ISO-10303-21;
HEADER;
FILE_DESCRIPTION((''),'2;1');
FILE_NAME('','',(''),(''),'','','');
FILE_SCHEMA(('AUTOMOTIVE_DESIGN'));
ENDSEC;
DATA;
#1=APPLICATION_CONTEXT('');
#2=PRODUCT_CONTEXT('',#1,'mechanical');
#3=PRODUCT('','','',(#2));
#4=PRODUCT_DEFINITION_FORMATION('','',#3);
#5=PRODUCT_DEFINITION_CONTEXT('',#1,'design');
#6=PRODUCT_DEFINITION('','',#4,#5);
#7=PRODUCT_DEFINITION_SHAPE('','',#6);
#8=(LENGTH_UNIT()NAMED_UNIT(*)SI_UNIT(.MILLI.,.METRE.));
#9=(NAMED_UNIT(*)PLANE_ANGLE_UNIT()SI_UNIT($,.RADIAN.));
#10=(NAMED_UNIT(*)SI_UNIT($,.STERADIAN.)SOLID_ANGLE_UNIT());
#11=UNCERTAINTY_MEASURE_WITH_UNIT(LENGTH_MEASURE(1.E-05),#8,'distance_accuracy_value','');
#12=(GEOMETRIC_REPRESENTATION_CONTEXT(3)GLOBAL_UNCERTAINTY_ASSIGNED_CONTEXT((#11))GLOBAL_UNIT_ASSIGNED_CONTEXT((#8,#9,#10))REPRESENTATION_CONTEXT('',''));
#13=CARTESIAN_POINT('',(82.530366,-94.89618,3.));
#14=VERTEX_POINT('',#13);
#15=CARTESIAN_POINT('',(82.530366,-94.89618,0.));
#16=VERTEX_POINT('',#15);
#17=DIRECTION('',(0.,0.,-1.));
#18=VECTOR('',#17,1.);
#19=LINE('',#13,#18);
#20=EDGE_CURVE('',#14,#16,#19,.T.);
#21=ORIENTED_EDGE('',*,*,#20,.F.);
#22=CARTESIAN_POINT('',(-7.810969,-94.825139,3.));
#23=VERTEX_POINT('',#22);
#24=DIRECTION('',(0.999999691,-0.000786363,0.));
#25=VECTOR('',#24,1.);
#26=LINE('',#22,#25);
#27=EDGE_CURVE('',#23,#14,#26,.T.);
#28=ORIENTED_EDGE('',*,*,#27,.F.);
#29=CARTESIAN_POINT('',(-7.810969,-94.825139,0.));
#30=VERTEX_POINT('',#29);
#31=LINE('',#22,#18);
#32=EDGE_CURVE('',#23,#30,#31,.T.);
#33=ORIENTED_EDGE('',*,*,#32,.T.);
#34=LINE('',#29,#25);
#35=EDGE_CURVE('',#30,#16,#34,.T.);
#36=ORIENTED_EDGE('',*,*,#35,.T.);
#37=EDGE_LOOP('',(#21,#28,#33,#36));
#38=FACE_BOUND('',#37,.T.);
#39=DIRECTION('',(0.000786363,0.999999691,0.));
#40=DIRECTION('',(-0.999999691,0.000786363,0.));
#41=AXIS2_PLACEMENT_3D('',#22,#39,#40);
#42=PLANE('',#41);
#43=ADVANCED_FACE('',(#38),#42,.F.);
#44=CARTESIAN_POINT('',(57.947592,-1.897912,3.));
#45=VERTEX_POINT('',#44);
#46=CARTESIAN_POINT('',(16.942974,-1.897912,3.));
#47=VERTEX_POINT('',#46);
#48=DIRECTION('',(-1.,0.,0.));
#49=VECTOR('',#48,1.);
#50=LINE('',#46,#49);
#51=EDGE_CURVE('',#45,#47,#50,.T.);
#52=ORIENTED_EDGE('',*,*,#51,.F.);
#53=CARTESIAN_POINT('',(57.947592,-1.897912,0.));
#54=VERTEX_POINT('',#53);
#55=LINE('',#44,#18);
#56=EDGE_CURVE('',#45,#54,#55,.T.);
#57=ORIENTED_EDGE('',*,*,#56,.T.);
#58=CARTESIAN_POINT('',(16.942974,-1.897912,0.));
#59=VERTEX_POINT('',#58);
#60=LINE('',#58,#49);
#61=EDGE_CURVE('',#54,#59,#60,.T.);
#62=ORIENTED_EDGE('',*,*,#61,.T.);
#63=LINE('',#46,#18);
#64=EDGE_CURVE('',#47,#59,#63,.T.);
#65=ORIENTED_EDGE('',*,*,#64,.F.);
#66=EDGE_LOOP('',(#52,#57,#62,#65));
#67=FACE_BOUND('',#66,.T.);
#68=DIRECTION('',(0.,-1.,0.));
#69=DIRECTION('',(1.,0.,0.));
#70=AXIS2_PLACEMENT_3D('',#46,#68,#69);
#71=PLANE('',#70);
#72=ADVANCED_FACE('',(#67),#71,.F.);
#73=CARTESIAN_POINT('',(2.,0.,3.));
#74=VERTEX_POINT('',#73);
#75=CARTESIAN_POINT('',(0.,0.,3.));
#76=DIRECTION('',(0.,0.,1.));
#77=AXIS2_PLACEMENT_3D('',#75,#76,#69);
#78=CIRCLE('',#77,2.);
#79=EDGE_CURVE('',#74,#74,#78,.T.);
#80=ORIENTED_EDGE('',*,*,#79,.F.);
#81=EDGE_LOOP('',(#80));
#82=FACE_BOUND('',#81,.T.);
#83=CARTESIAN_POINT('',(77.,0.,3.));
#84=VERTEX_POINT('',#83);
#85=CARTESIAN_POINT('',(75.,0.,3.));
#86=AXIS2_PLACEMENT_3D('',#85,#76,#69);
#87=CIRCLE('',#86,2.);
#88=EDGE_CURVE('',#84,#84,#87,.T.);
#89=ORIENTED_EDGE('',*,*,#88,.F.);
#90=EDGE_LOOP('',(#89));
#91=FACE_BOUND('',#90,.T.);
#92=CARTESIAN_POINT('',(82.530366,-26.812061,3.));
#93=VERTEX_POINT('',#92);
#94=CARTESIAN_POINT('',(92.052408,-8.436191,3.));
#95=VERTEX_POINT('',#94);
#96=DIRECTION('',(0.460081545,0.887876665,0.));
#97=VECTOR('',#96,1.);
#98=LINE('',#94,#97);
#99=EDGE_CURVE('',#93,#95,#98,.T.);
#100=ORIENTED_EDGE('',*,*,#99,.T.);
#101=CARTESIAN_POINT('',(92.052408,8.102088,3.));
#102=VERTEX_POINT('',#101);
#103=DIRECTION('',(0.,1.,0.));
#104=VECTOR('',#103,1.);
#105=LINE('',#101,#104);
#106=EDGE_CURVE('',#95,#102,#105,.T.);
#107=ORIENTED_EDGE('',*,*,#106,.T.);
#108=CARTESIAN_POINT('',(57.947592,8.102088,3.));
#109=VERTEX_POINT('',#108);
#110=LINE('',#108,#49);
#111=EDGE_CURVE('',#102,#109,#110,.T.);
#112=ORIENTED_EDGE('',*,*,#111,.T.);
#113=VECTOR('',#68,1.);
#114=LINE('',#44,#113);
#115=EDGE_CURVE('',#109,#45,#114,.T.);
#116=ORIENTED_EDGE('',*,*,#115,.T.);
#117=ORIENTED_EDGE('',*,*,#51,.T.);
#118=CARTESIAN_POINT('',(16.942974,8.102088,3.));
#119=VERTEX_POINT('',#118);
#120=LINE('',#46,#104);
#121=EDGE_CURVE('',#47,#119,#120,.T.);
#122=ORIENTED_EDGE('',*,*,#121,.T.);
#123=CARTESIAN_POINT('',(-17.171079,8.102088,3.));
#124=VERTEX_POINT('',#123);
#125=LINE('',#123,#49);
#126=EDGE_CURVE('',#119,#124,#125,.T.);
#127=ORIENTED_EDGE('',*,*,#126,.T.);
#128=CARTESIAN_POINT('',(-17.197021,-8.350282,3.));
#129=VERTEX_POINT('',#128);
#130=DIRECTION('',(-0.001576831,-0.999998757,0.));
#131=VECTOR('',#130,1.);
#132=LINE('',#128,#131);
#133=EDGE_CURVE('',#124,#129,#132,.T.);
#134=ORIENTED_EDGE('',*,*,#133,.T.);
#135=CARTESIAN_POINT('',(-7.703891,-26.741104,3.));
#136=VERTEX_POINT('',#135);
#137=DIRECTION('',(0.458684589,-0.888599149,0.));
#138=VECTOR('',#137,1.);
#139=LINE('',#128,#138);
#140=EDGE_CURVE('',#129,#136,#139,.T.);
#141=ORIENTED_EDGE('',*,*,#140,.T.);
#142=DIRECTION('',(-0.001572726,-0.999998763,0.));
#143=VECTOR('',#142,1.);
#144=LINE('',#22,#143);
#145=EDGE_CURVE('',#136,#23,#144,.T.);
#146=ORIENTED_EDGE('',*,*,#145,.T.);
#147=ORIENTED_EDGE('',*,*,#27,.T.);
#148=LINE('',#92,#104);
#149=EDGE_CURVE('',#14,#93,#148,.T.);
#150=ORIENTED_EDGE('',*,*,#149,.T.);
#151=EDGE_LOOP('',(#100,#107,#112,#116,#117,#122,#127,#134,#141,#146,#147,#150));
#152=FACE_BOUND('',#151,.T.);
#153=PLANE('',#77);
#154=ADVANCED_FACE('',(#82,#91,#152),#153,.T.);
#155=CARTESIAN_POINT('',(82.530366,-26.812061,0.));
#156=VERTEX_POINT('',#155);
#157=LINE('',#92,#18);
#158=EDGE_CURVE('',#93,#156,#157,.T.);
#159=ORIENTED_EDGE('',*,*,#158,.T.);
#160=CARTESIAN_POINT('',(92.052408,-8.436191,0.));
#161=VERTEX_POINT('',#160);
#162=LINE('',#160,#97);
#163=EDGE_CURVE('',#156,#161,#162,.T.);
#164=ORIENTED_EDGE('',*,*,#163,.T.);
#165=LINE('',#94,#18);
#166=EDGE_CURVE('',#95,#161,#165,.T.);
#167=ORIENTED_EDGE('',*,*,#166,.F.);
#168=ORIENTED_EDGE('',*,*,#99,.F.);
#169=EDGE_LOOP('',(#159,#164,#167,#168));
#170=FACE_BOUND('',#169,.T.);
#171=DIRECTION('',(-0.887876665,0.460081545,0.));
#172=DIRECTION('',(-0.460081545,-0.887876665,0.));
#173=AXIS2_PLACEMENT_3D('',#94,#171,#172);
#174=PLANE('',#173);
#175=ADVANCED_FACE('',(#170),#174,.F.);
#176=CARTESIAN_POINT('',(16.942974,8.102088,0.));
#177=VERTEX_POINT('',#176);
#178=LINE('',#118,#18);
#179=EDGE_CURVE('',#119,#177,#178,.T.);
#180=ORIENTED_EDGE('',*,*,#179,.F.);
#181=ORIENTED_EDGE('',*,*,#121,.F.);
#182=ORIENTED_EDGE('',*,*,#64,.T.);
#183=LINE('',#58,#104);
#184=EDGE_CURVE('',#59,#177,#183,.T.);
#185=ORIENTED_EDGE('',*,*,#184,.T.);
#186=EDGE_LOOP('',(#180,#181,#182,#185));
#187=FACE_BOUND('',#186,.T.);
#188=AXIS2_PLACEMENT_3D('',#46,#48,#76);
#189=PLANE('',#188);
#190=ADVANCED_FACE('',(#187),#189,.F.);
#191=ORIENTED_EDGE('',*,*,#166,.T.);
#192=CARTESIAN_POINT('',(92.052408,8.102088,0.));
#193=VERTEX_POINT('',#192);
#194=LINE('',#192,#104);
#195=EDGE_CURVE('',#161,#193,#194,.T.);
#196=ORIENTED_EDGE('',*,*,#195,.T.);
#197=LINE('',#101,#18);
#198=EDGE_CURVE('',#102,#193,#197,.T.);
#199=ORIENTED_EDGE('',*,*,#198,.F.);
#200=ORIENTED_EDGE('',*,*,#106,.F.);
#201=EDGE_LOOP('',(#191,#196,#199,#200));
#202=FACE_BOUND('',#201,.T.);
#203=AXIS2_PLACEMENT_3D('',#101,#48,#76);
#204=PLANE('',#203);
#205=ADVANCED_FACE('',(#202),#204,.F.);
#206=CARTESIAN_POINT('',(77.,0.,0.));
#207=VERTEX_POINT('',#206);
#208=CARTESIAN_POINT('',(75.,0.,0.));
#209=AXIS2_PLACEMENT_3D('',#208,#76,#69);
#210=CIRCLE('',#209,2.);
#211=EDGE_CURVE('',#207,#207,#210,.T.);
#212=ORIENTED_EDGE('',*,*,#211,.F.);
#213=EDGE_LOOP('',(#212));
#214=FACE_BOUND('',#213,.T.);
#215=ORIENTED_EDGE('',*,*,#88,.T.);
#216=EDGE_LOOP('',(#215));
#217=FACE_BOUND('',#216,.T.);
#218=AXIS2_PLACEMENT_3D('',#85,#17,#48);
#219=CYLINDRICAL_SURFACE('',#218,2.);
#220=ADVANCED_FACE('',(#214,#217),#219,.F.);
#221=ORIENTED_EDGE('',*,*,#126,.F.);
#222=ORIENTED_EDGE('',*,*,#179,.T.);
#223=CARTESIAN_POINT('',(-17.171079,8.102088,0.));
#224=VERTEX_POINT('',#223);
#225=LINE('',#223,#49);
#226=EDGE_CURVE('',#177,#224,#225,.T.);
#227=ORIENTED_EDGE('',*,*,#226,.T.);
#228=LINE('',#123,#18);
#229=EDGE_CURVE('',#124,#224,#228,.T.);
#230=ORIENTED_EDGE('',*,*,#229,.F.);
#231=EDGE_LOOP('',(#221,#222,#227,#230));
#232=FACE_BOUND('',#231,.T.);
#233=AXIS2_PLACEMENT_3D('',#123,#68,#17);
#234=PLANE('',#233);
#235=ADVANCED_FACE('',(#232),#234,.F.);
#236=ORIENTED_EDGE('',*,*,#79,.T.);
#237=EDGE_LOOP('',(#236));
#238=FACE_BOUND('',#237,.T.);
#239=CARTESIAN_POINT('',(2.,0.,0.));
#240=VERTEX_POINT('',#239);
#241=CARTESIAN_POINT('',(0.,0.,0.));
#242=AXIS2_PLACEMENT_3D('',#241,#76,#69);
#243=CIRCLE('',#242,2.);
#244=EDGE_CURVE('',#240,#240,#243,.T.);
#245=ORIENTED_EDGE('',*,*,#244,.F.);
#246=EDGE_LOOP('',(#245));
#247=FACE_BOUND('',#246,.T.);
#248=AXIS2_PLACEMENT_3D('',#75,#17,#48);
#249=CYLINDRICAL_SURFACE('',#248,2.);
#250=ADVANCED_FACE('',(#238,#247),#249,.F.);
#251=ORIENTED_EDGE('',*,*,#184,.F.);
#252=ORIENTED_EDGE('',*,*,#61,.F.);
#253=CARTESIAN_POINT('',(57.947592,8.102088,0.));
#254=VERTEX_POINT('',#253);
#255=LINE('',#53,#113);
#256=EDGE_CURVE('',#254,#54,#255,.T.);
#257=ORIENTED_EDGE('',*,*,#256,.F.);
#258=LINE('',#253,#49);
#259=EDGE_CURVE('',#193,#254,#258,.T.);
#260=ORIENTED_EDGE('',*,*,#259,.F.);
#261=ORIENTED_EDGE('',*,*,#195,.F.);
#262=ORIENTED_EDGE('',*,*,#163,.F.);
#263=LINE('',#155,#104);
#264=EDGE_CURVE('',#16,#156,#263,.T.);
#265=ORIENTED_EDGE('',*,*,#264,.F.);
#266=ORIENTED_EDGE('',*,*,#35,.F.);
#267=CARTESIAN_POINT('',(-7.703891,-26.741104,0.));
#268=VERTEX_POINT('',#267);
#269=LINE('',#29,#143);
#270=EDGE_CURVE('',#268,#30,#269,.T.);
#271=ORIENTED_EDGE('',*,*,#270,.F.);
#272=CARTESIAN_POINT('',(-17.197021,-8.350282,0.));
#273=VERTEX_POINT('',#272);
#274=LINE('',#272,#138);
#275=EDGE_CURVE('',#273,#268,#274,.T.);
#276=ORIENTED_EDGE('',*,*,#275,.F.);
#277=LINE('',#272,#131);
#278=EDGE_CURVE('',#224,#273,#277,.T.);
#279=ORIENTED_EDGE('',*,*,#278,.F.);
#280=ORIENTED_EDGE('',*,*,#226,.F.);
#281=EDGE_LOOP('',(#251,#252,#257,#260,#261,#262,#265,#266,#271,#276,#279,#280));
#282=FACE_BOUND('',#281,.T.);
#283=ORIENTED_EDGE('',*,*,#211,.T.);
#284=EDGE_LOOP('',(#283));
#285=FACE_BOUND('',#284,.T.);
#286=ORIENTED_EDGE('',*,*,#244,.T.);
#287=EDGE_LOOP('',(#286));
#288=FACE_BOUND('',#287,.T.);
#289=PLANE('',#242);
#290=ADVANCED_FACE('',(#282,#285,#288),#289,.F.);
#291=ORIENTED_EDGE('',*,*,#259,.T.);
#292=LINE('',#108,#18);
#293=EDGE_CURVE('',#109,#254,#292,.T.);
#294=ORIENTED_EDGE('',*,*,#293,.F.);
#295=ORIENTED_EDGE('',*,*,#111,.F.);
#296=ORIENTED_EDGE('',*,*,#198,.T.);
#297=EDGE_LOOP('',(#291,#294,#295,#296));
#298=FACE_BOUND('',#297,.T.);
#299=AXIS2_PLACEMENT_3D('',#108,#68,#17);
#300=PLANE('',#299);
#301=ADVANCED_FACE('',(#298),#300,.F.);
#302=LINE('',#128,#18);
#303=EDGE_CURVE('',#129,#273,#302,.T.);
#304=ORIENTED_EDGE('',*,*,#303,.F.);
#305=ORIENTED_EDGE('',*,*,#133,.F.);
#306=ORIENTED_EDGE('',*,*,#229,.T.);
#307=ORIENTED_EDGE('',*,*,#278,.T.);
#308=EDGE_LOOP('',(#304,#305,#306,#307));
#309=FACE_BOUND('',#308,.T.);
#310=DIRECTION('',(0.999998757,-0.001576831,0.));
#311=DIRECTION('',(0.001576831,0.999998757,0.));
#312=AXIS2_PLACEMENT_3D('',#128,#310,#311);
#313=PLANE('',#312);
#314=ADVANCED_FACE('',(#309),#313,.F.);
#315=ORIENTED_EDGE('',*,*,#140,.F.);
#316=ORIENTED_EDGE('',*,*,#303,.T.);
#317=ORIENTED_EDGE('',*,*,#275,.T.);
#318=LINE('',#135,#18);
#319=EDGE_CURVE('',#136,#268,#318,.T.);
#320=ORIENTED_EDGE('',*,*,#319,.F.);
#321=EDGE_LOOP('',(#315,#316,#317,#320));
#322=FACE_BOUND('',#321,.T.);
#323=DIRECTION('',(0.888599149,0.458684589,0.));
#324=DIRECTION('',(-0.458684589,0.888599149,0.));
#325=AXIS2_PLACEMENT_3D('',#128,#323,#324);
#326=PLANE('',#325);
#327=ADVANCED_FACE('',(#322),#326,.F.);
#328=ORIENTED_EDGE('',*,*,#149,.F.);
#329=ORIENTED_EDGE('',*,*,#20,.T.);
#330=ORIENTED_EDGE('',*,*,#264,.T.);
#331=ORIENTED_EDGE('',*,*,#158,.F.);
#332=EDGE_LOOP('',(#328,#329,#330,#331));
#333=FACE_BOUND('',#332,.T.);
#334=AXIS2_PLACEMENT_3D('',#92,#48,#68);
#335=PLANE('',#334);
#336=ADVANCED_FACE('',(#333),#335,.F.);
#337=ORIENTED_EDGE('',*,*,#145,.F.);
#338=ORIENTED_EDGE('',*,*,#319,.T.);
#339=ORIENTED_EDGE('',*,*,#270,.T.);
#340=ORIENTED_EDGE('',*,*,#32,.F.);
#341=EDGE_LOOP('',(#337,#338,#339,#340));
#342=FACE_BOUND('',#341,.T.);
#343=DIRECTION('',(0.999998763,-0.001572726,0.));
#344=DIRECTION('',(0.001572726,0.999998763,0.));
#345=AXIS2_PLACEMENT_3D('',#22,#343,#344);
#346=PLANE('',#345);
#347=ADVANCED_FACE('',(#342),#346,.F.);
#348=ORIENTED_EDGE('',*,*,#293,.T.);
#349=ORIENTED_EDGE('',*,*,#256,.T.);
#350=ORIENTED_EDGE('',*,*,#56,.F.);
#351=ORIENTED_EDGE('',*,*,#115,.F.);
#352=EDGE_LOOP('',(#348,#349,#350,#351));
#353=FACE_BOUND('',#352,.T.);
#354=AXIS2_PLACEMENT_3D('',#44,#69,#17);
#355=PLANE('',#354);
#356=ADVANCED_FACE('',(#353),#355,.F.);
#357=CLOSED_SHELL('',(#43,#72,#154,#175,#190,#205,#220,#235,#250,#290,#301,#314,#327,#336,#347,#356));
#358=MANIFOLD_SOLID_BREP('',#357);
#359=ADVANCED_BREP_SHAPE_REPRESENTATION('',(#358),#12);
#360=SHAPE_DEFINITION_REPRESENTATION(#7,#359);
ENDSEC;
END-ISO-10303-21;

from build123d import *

# Parameters (mm, degrees)
SKETCH1_R           = 2
BOSS_EXTRUDE1_DEPTH = 3


with BuildPart() as part:
    # Sketch1 → Boss-Extrude1 (new body)
    with BuildSketch(Plane.XY):
        Polygon((-17.171078522, 8.102088167), (16.942973826, 8.102088167), (16.942973826, -1.897911833), (57.947591884, -1.897911833), (57.947591884, 8.102088167), (92.052408116, 8.102088167), (92.052408116, -8.436191264), (82.530366353, -26.812061334), (82.530366353, -94.896180398), (-7.810969029, -94.825139281), (-7.70389138, -26.741104419), (-17.197021163, -8.350281515), align=None)
        Circle(SKETCH1_R, mode=Mode.SUBTRACT)
        with Locations((75, 0)):
            Circle(SKETCH1_R, mode=Mode.SUBTRACT)
    extrude(amount=BOSS_EXTRUDE1_DEPTH)


solid = part.part
